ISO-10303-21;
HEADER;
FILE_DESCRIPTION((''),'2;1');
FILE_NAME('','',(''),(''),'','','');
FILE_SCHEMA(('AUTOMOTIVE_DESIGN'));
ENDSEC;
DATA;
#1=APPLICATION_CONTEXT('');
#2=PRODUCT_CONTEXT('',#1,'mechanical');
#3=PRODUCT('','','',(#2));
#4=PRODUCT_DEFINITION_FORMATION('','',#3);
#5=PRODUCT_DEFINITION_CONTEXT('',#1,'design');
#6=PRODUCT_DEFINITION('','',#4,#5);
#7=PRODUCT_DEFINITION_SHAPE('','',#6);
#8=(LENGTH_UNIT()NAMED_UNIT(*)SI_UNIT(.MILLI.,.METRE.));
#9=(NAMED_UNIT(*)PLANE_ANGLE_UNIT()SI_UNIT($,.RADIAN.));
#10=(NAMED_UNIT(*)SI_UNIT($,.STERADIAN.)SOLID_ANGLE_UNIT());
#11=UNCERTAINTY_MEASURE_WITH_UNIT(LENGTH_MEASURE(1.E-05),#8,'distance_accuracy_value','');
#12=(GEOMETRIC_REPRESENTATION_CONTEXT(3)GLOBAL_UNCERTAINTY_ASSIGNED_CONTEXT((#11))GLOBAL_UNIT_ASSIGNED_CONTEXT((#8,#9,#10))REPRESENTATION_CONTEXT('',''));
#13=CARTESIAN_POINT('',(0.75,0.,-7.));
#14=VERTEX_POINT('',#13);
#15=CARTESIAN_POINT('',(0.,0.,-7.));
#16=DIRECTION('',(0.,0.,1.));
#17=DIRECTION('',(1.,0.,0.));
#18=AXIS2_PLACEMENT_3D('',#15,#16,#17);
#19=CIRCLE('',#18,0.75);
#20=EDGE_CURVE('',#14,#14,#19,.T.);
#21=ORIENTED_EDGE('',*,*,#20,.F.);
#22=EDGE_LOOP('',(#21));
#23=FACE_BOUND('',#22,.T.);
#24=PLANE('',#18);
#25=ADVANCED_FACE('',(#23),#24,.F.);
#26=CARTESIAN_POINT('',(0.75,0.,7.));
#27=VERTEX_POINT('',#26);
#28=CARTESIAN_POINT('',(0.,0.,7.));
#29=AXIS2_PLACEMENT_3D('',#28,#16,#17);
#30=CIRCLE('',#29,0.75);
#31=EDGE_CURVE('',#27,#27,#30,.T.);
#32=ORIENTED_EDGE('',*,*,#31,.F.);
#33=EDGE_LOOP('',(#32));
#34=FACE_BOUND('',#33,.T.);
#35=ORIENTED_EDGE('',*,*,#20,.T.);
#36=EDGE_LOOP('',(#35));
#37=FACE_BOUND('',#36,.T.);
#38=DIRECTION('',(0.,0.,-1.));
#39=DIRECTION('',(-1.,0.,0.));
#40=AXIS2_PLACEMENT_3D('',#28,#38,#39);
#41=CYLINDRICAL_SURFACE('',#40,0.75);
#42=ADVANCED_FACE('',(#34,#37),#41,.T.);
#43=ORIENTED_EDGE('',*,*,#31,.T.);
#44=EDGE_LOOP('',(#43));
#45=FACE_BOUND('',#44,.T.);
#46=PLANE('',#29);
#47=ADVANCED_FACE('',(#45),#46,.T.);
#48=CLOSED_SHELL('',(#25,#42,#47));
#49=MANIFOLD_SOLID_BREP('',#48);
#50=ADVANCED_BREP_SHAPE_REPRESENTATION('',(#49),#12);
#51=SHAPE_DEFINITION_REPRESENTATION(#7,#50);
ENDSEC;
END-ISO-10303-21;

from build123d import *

# Parameters (mm, degrees)
SKETCH1_R           = 0.75
BOSS_EXTRUDE1_DEPTH = 7


with BuildPart() as part:
    # Sketch1 → Boss-Extrude1 (new body, symmetric)
    with BuildSketch(Plane.XY):
        Circle(SKETCH1_R)
    extrude(amount=BOSS_EXTRUDE1_DEPTH, both=True)


solid = part.part
